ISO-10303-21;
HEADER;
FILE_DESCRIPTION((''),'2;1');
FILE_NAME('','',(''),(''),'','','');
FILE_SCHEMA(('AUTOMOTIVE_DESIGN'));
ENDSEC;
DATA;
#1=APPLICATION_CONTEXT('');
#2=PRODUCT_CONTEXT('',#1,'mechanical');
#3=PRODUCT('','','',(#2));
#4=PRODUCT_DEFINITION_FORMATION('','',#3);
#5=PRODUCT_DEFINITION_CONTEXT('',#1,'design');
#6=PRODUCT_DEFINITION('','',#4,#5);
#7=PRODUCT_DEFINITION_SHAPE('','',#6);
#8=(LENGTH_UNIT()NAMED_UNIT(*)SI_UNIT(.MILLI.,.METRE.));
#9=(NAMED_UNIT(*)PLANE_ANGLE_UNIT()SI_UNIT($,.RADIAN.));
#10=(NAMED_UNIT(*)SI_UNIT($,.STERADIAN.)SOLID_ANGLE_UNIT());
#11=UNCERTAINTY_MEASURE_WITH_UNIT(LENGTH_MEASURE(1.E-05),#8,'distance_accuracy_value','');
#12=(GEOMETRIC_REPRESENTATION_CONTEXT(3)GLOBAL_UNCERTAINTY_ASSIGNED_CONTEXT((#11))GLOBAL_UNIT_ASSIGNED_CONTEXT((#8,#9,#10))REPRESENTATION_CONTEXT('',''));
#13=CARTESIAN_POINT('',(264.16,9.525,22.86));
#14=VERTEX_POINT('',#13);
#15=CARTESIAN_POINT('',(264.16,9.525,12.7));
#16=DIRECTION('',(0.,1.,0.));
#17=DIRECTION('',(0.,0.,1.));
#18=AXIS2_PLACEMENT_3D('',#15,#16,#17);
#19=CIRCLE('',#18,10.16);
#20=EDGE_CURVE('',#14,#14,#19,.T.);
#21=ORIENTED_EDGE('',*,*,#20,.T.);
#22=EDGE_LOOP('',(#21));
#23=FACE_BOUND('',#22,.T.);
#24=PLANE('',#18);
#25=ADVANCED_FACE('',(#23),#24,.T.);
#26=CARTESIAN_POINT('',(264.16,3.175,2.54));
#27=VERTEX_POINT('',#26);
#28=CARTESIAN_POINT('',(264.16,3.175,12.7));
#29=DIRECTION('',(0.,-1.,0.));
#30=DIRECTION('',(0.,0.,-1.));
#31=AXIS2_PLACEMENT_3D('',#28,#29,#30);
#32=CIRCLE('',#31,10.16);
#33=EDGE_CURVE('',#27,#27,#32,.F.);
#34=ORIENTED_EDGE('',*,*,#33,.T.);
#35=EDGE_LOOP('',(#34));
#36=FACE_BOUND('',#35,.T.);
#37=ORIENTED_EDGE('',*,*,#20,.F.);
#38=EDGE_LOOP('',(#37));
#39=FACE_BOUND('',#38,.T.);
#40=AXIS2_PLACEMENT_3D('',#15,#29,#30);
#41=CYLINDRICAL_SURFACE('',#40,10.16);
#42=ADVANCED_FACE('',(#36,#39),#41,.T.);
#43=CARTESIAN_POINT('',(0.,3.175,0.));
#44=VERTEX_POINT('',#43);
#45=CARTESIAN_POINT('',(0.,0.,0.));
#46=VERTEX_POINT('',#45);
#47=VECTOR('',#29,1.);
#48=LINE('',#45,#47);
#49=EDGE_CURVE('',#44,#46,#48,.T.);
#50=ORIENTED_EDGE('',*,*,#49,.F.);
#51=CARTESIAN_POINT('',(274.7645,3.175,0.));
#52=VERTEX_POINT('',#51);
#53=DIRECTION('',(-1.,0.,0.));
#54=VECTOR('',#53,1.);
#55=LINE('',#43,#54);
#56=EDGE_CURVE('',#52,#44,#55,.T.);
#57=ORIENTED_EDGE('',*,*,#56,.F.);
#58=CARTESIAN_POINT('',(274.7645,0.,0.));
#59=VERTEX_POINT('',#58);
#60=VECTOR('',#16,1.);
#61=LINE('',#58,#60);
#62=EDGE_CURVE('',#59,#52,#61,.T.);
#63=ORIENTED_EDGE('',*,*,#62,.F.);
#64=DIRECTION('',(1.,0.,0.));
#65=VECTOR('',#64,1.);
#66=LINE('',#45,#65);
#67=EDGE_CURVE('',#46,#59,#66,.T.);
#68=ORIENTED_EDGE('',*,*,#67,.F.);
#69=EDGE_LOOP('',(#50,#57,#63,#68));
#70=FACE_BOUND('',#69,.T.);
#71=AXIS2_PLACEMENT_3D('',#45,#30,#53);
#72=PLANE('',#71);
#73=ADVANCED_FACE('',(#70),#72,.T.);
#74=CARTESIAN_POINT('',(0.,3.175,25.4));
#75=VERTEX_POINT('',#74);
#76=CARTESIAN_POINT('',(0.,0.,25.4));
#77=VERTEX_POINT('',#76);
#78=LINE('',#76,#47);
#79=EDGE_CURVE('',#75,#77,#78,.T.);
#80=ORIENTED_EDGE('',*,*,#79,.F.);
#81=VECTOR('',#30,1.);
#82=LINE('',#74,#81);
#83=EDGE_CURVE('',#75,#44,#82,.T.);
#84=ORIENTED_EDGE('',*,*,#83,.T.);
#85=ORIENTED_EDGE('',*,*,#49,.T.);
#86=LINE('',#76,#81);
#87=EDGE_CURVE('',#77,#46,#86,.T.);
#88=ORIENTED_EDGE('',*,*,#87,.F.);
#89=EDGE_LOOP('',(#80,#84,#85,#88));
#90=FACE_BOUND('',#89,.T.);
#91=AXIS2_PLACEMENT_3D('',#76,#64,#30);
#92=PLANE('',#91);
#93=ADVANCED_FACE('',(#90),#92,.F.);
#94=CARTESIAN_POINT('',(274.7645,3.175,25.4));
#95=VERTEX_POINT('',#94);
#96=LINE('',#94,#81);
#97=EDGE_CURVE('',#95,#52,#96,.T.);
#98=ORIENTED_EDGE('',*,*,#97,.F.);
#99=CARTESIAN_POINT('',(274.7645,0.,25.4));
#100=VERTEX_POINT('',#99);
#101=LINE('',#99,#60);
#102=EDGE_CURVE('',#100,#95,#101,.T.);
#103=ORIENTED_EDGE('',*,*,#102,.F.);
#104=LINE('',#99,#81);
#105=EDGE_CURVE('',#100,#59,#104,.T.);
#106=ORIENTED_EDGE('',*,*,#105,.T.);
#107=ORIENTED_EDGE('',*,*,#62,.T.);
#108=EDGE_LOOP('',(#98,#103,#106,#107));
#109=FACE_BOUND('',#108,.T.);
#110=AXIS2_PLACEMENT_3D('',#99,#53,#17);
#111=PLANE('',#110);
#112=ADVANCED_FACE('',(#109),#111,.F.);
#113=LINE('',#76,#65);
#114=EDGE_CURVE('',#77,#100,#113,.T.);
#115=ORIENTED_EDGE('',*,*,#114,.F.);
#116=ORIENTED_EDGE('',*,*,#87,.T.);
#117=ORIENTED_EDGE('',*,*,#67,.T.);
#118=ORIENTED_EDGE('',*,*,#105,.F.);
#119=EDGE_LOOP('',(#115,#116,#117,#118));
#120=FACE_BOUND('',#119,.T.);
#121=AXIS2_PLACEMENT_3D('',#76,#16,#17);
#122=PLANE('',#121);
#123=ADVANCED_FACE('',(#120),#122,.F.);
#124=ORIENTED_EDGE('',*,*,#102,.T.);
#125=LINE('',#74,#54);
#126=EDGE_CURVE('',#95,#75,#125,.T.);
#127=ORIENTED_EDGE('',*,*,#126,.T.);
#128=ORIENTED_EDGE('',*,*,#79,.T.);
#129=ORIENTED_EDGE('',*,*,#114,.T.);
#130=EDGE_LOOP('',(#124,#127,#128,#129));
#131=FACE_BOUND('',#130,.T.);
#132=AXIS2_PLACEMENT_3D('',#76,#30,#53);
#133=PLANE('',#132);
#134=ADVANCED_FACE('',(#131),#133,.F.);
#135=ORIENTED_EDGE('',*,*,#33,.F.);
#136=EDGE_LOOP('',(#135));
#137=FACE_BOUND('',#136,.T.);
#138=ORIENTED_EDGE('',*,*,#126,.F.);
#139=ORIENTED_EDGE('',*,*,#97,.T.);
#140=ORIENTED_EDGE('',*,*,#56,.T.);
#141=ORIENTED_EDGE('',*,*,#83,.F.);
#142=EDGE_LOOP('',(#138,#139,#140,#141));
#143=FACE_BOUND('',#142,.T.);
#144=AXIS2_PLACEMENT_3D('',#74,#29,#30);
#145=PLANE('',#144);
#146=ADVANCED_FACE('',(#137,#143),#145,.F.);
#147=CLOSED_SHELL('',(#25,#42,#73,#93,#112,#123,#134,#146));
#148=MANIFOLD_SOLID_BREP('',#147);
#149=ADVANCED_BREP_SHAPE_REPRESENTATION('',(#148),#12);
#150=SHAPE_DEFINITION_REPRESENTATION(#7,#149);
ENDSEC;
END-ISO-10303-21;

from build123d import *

# Parameters (mm, degrees)
SKETCH1_W           = 274.7645
SKETCH1_H           = 3.175
BOSS_EXTRUDE1_DEPTH = 25.4
SKETCH2_R           = 10.16
BOSS_EXTRUDE2_DEPTH = 6.35


with BuildPart() as part:
    # Sketch1 → Boss-Extrude1 (new body)
    with BuildSketch(Plane.XY):
        with Locations((137.38225, 1.5875)):
            Rectangle(SKETCH1_W, SKETCH1_H)
    extrude(amount=BOSS_EXTRUDE1_DEPTH)

    # Sketch2 → Boss-Extrude2 (add)
    with BuildSketch(Plane(origin=(0, 3.175, 0), x_dir=(1, 0, 0), z_dir=(0, 1, 0))):
        with Locations(Location((264.16, -12.7, 0), (0, 0, 90))):
            Circle(SKETCH2_R)
    extrude(amount=BOSS_EXTRUDE2_DEPTH)


solid = part.part
